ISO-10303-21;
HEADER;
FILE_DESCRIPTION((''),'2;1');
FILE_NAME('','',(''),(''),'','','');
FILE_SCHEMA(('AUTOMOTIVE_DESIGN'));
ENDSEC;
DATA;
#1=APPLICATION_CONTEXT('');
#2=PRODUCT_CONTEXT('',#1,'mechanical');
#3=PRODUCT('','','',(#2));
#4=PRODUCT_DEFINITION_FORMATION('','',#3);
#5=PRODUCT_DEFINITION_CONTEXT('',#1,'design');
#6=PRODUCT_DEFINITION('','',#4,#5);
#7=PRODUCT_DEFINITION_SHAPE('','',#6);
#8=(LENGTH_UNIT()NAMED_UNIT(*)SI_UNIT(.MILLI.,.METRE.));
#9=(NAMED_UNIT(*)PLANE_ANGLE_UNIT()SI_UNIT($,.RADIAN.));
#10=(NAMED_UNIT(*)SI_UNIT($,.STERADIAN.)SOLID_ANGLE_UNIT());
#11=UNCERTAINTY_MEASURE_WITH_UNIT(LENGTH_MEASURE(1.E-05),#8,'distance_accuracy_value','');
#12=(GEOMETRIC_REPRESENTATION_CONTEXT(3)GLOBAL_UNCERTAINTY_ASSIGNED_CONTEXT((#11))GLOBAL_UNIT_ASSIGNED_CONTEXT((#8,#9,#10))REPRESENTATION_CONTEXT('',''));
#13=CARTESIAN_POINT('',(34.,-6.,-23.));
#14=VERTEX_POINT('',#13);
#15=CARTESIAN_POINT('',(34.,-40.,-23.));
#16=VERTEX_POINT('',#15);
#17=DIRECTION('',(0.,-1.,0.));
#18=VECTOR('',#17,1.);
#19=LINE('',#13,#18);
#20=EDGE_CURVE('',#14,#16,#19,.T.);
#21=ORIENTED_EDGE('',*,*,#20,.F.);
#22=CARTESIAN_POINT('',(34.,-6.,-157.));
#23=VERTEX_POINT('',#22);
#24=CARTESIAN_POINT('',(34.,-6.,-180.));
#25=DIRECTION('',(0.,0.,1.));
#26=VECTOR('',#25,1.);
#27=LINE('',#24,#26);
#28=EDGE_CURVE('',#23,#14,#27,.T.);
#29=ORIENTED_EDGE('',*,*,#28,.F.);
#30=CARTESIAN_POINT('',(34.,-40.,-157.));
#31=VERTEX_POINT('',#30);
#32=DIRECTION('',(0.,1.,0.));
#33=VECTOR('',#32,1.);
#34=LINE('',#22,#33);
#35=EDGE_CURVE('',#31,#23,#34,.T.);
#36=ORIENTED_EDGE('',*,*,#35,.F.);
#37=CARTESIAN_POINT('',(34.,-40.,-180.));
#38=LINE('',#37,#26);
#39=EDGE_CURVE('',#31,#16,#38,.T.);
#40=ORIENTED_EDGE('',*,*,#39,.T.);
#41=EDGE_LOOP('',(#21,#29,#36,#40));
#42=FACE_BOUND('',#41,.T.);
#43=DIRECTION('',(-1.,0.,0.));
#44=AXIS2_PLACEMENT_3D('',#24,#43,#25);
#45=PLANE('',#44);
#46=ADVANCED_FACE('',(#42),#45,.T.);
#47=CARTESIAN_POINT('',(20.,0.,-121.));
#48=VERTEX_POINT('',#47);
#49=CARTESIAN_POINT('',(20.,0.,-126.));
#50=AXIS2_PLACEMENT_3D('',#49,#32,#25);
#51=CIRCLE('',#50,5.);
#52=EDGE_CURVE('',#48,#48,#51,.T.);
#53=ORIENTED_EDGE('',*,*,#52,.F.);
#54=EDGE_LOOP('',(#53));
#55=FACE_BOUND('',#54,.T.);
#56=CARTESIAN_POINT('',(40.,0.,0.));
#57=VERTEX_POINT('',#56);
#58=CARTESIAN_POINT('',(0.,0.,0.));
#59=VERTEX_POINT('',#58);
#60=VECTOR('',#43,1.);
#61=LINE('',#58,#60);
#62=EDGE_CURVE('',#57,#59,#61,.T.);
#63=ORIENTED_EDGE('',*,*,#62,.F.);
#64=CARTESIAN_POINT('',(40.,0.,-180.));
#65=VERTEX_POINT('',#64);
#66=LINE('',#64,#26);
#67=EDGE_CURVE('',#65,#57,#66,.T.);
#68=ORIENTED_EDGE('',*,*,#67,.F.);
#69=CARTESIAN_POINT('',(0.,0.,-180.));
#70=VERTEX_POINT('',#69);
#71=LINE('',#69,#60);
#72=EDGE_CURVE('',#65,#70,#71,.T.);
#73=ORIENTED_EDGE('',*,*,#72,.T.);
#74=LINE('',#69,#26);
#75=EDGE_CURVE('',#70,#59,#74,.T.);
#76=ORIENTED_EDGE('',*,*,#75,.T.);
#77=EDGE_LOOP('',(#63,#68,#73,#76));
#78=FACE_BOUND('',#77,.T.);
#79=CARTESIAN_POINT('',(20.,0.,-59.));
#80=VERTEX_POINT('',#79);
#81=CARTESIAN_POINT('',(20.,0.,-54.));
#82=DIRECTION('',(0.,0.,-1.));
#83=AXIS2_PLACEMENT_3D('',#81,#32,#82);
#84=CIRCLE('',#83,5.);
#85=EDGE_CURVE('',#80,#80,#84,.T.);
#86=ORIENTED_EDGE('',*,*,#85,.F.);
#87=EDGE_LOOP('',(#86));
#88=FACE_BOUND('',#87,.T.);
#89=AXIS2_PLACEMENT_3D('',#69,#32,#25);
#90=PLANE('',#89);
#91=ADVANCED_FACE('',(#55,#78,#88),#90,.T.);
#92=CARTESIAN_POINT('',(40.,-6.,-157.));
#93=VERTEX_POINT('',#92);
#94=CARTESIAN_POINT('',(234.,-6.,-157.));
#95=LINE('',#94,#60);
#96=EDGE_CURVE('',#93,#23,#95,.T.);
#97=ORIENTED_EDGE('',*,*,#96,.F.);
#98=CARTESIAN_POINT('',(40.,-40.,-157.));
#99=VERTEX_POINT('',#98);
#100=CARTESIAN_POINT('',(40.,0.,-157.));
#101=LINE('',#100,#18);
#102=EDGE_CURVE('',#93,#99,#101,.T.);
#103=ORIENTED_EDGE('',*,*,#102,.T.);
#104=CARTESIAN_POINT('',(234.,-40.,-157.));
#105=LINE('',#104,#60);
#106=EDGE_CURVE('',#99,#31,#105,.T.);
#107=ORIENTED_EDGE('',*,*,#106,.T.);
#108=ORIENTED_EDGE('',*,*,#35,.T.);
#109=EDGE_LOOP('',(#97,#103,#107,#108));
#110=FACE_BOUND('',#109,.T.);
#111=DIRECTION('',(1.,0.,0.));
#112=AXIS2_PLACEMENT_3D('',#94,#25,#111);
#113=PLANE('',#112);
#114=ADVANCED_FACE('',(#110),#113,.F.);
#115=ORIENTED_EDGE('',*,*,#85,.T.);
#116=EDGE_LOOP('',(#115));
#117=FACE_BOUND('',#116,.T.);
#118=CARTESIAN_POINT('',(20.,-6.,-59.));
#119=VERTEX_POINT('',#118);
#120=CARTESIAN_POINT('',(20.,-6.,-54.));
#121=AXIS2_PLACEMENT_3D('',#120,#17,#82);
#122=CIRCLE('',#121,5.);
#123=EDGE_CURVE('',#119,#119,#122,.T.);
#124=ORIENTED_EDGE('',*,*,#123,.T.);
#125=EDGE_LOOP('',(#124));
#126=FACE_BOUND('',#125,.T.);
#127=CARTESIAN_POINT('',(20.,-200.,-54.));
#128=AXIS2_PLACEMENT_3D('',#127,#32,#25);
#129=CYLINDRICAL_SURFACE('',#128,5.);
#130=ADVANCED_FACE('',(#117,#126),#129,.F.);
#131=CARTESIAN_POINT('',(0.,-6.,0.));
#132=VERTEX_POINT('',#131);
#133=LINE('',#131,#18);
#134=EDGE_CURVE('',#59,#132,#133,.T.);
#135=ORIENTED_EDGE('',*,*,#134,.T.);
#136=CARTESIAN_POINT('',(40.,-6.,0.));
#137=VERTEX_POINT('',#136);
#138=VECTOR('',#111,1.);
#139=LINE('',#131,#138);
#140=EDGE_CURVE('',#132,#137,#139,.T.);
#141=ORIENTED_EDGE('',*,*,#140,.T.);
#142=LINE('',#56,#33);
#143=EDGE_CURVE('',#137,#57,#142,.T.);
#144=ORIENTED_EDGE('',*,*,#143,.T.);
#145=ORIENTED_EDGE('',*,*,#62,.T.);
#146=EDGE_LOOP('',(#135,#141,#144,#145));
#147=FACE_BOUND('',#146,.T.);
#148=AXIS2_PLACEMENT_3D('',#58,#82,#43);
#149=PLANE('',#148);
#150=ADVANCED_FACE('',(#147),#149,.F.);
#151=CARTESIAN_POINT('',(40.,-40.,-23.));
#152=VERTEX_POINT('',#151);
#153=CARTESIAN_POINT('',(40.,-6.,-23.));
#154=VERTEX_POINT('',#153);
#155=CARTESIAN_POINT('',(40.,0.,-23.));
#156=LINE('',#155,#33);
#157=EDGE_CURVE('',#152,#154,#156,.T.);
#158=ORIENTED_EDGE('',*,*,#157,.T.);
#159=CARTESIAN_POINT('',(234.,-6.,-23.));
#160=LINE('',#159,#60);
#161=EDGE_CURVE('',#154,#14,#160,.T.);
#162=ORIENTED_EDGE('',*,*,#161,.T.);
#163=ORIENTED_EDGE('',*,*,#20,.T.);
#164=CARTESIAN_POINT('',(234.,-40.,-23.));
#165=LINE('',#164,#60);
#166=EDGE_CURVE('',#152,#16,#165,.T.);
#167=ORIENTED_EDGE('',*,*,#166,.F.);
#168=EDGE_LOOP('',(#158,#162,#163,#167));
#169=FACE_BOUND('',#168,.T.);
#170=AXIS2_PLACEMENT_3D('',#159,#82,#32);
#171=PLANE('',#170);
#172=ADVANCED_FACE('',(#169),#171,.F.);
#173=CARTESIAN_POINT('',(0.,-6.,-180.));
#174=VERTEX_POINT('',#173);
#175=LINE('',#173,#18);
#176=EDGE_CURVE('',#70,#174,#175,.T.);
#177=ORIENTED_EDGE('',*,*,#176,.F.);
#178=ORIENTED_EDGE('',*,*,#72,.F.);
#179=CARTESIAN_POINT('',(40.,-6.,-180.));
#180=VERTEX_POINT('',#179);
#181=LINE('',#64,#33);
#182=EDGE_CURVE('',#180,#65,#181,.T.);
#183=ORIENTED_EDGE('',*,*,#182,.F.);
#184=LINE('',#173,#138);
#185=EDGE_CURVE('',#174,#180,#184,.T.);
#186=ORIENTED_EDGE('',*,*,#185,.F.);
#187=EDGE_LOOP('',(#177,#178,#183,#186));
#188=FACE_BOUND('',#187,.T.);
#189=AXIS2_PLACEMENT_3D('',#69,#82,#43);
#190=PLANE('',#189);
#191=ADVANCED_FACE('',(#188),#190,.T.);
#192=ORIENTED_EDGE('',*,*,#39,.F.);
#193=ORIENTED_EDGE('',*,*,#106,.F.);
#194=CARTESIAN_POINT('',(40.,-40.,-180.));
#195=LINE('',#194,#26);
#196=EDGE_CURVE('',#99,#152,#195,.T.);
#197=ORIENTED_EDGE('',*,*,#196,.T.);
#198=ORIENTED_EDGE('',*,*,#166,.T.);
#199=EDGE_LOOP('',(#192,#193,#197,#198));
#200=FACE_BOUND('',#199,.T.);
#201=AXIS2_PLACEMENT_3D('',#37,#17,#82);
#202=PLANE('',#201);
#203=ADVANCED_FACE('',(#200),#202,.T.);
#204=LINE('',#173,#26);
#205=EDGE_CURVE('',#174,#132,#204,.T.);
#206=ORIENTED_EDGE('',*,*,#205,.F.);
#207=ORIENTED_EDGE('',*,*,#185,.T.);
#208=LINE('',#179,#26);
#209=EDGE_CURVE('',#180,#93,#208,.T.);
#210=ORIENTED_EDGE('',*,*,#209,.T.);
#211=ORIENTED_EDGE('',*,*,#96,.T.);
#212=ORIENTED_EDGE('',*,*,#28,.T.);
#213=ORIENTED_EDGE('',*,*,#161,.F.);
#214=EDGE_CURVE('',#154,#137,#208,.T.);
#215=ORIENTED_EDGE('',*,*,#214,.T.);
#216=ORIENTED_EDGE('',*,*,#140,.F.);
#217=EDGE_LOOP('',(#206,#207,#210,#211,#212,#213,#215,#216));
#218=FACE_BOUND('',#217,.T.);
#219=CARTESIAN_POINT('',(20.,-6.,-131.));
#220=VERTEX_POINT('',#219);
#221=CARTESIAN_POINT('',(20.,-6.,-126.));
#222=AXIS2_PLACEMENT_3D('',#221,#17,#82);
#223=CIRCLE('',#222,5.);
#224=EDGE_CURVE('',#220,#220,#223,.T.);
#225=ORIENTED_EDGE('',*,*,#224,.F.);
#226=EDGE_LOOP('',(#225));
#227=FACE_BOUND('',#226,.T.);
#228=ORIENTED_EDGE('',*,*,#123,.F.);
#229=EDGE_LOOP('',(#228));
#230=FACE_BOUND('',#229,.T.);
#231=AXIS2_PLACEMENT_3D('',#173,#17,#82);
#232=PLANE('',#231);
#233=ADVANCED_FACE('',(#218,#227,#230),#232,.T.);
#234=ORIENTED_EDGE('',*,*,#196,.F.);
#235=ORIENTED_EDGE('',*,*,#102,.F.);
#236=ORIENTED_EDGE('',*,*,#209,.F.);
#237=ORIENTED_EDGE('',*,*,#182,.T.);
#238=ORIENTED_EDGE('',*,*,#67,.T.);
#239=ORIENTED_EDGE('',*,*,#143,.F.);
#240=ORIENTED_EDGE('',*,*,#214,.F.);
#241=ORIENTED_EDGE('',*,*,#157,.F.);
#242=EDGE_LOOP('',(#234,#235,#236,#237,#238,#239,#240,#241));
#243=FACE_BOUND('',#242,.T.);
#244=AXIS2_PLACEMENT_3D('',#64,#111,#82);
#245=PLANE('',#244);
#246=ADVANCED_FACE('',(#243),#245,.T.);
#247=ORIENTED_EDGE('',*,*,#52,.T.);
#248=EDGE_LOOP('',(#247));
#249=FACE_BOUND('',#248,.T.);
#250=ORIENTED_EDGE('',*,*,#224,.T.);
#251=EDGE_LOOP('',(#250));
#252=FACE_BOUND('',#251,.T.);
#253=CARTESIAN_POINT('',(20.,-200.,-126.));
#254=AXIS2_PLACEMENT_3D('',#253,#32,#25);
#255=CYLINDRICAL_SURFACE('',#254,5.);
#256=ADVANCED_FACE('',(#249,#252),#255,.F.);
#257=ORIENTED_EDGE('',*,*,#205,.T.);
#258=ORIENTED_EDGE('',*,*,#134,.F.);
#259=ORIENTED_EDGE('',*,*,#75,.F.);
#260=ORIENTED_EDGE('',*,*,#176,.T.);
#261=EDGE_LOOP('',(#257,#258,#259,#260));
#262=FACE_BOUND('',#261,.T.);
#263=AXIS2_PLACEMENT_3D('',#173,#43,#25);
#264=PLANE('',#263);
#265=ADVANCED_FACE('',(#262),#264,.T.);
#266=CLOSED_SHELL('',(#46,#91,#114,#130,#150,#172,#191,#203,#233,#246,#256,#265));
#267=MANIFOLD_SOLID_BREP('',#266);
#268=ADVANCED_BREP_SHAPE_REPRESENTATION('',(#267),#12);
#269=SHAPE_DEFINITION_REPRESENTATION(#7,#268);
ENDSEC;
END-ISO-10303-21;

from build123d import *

# Parameters (mm, degrees)
BOSS_EXTRUDE1_DEPTH = 180
SKETCH2_W           = 23
SKETCH2_H           = 34
CUT_EXTRUDE1_DEPTH  = 200
SKETCH3_R           = 5
CUT_EXTRUDE2_DEPTH  = 200


with BuildPart() as part:
    # Sketch1 → Boss-Extrude1 (new body)
    with BuildSketch(Plane.XY):
        Polygon((0, 0), (40, 0), (40, -40), (34, -40), (34, -6), (0, -6), align=None)
    extrude(amount=-BOSS_EXTRUDE1_DEPTH)

    # Sketch2 → Cut-Extrude1 (cut)
    with BuildSketch(Plane.ZY.offset(-34)):
        with Locations((-11.5, -23)):
            Rectangle(SKETCH2_W, SKETCH2_H)
        with Locations((-168.5, -23)):
            Rectangle(SKETCH2_W, SKETCH2_H)
    extrude(amount=-CUT_EXTRUDE1_DEPTH, mode=Mode.SUBTRACT)

    # Sketch3 → Cut-Extrude2 (cut)
    with BuildSketch(Plane(origin=(0, 0, 0), x_dir=(1, 0, 0), z_dir=(0, 1, 0))):
        with Locations(Location((20, 126, 0), (0, 0, 270))):
            Circle(SKETCH3_R)
        with Locations(Location((20, 54, 0), (0, 0, 90))):
            Circle(SKETCH3_R)
    extrude(amount=-CUT_EXTRUDE2_DEPTH, mode=Mode.SUBTRACT)


solid = part.part
